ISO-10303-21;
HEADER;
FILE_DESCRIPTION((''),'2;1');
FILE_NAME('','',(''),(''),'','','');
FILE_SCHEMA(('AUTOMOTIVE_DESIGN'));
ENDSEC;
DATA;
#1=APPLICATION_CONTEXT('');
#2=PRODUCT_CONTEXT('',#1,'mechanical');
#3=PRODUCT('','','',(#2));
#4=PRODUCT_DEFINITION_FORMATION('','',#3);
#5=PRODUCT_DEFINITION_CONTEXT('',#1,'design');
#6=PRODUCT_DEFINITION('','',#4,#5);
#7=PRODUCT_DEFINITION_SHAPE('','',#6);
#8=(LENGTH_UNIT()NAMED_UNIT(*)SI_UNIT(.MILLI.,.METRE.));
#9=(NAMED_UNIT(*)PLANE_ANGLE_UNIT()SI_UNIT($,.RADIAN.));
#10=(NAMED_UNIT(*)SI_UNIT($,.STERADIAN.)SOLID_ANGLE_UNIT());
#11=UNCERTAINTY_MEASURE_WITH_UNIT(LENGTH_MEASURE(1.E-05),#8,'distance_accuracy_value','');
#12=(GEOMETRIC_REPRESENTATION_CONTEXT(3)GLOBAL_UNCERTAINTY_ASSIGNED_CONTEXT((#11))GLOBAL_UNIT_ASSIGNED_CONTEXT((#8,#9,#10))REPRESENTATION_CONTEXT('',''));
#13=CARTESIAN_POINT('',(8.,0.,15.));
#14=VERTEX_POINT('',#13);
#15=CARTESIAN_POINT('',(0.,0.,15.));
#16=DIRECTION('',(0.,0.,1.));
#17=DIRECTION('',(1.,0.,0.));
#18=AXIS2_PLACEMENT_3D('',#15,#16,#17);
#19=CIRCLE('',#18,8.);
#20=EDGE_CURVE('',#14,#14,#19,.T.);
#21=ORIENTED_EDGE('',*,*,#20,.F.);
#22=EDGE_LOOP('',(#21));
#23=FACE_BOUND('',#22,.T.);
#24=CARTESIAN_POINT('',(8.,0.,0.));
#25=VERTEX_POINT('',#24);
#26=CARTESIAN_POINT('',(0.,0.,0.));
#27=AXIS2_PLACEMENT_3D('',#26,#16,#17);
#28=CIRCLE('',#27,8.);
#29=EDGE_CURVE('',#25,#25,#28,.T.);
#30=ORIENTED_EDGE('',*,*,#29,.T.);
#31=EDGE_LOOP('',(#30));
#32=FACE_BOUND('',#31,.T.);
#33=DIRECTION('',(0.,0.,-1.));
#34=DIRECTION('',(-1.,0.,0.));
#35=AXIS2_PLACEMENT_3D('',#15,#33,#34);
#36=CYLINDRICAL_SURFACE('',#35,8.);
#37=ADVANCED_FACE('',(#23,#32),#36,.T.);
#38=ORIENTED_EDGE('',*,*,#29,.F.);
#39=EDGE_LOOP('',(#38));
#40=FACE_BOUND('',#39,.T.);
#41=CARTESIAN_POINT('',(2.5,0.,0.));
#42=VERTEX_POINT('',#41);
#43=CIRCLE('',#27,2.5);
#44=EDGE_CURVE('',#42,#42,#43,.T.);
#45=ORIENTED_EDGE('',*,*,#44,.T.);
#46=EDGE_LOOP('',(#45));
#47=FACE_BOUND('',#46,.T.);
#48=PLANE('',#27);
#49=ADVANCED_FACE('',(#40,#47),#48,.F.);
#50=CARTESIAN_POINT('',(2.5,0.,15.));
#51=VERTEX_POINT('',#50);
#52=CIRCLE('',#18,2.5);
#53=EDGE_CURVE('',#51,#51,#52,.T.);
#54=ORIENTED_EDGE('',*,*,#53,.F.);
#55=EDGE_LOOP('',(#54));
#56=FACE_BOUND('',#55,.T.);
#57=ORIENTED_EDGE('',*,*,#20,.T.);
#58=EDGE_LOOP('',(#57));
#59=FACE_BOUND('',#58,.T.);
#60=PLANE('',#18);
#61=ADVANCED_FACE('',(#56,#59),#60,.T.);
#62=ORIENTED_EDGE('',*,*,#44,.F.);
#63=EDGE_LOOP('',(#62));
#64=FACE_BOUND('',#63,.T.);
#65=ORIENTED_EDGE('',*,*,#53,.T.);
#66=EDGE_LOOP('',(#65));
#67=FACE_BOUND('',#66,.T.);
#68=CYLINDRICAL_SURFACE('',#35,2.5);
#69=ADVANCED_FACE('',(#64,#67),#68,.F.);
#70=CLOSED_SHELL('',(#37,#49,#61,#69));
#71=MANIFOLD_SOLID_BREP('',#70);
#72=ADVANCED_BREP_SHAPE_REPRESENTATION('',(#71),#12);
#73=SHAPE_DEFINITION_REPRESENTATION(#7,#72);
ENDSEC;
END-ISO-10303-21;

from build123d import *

# Parameters (mm, degrees)
SKETCH_1_R              = 8
SKETCH_1_R_2            = 2.5
FOOT_M6_TAPPED_15_DEPTH = 15


with BuildPart() as part:
    # 草图1 → Foot_M6_tapped_15 (new body)
    with BuildSketch(Plane.XY):
        Circle(SKETCH_1_R)
        Circle(SKETCH_1_R_2, mode=Mode.SUBTRACT)
    extrude(amount=FOOT_M6_TAPPED_15_DEPTH)


solid = part.part
